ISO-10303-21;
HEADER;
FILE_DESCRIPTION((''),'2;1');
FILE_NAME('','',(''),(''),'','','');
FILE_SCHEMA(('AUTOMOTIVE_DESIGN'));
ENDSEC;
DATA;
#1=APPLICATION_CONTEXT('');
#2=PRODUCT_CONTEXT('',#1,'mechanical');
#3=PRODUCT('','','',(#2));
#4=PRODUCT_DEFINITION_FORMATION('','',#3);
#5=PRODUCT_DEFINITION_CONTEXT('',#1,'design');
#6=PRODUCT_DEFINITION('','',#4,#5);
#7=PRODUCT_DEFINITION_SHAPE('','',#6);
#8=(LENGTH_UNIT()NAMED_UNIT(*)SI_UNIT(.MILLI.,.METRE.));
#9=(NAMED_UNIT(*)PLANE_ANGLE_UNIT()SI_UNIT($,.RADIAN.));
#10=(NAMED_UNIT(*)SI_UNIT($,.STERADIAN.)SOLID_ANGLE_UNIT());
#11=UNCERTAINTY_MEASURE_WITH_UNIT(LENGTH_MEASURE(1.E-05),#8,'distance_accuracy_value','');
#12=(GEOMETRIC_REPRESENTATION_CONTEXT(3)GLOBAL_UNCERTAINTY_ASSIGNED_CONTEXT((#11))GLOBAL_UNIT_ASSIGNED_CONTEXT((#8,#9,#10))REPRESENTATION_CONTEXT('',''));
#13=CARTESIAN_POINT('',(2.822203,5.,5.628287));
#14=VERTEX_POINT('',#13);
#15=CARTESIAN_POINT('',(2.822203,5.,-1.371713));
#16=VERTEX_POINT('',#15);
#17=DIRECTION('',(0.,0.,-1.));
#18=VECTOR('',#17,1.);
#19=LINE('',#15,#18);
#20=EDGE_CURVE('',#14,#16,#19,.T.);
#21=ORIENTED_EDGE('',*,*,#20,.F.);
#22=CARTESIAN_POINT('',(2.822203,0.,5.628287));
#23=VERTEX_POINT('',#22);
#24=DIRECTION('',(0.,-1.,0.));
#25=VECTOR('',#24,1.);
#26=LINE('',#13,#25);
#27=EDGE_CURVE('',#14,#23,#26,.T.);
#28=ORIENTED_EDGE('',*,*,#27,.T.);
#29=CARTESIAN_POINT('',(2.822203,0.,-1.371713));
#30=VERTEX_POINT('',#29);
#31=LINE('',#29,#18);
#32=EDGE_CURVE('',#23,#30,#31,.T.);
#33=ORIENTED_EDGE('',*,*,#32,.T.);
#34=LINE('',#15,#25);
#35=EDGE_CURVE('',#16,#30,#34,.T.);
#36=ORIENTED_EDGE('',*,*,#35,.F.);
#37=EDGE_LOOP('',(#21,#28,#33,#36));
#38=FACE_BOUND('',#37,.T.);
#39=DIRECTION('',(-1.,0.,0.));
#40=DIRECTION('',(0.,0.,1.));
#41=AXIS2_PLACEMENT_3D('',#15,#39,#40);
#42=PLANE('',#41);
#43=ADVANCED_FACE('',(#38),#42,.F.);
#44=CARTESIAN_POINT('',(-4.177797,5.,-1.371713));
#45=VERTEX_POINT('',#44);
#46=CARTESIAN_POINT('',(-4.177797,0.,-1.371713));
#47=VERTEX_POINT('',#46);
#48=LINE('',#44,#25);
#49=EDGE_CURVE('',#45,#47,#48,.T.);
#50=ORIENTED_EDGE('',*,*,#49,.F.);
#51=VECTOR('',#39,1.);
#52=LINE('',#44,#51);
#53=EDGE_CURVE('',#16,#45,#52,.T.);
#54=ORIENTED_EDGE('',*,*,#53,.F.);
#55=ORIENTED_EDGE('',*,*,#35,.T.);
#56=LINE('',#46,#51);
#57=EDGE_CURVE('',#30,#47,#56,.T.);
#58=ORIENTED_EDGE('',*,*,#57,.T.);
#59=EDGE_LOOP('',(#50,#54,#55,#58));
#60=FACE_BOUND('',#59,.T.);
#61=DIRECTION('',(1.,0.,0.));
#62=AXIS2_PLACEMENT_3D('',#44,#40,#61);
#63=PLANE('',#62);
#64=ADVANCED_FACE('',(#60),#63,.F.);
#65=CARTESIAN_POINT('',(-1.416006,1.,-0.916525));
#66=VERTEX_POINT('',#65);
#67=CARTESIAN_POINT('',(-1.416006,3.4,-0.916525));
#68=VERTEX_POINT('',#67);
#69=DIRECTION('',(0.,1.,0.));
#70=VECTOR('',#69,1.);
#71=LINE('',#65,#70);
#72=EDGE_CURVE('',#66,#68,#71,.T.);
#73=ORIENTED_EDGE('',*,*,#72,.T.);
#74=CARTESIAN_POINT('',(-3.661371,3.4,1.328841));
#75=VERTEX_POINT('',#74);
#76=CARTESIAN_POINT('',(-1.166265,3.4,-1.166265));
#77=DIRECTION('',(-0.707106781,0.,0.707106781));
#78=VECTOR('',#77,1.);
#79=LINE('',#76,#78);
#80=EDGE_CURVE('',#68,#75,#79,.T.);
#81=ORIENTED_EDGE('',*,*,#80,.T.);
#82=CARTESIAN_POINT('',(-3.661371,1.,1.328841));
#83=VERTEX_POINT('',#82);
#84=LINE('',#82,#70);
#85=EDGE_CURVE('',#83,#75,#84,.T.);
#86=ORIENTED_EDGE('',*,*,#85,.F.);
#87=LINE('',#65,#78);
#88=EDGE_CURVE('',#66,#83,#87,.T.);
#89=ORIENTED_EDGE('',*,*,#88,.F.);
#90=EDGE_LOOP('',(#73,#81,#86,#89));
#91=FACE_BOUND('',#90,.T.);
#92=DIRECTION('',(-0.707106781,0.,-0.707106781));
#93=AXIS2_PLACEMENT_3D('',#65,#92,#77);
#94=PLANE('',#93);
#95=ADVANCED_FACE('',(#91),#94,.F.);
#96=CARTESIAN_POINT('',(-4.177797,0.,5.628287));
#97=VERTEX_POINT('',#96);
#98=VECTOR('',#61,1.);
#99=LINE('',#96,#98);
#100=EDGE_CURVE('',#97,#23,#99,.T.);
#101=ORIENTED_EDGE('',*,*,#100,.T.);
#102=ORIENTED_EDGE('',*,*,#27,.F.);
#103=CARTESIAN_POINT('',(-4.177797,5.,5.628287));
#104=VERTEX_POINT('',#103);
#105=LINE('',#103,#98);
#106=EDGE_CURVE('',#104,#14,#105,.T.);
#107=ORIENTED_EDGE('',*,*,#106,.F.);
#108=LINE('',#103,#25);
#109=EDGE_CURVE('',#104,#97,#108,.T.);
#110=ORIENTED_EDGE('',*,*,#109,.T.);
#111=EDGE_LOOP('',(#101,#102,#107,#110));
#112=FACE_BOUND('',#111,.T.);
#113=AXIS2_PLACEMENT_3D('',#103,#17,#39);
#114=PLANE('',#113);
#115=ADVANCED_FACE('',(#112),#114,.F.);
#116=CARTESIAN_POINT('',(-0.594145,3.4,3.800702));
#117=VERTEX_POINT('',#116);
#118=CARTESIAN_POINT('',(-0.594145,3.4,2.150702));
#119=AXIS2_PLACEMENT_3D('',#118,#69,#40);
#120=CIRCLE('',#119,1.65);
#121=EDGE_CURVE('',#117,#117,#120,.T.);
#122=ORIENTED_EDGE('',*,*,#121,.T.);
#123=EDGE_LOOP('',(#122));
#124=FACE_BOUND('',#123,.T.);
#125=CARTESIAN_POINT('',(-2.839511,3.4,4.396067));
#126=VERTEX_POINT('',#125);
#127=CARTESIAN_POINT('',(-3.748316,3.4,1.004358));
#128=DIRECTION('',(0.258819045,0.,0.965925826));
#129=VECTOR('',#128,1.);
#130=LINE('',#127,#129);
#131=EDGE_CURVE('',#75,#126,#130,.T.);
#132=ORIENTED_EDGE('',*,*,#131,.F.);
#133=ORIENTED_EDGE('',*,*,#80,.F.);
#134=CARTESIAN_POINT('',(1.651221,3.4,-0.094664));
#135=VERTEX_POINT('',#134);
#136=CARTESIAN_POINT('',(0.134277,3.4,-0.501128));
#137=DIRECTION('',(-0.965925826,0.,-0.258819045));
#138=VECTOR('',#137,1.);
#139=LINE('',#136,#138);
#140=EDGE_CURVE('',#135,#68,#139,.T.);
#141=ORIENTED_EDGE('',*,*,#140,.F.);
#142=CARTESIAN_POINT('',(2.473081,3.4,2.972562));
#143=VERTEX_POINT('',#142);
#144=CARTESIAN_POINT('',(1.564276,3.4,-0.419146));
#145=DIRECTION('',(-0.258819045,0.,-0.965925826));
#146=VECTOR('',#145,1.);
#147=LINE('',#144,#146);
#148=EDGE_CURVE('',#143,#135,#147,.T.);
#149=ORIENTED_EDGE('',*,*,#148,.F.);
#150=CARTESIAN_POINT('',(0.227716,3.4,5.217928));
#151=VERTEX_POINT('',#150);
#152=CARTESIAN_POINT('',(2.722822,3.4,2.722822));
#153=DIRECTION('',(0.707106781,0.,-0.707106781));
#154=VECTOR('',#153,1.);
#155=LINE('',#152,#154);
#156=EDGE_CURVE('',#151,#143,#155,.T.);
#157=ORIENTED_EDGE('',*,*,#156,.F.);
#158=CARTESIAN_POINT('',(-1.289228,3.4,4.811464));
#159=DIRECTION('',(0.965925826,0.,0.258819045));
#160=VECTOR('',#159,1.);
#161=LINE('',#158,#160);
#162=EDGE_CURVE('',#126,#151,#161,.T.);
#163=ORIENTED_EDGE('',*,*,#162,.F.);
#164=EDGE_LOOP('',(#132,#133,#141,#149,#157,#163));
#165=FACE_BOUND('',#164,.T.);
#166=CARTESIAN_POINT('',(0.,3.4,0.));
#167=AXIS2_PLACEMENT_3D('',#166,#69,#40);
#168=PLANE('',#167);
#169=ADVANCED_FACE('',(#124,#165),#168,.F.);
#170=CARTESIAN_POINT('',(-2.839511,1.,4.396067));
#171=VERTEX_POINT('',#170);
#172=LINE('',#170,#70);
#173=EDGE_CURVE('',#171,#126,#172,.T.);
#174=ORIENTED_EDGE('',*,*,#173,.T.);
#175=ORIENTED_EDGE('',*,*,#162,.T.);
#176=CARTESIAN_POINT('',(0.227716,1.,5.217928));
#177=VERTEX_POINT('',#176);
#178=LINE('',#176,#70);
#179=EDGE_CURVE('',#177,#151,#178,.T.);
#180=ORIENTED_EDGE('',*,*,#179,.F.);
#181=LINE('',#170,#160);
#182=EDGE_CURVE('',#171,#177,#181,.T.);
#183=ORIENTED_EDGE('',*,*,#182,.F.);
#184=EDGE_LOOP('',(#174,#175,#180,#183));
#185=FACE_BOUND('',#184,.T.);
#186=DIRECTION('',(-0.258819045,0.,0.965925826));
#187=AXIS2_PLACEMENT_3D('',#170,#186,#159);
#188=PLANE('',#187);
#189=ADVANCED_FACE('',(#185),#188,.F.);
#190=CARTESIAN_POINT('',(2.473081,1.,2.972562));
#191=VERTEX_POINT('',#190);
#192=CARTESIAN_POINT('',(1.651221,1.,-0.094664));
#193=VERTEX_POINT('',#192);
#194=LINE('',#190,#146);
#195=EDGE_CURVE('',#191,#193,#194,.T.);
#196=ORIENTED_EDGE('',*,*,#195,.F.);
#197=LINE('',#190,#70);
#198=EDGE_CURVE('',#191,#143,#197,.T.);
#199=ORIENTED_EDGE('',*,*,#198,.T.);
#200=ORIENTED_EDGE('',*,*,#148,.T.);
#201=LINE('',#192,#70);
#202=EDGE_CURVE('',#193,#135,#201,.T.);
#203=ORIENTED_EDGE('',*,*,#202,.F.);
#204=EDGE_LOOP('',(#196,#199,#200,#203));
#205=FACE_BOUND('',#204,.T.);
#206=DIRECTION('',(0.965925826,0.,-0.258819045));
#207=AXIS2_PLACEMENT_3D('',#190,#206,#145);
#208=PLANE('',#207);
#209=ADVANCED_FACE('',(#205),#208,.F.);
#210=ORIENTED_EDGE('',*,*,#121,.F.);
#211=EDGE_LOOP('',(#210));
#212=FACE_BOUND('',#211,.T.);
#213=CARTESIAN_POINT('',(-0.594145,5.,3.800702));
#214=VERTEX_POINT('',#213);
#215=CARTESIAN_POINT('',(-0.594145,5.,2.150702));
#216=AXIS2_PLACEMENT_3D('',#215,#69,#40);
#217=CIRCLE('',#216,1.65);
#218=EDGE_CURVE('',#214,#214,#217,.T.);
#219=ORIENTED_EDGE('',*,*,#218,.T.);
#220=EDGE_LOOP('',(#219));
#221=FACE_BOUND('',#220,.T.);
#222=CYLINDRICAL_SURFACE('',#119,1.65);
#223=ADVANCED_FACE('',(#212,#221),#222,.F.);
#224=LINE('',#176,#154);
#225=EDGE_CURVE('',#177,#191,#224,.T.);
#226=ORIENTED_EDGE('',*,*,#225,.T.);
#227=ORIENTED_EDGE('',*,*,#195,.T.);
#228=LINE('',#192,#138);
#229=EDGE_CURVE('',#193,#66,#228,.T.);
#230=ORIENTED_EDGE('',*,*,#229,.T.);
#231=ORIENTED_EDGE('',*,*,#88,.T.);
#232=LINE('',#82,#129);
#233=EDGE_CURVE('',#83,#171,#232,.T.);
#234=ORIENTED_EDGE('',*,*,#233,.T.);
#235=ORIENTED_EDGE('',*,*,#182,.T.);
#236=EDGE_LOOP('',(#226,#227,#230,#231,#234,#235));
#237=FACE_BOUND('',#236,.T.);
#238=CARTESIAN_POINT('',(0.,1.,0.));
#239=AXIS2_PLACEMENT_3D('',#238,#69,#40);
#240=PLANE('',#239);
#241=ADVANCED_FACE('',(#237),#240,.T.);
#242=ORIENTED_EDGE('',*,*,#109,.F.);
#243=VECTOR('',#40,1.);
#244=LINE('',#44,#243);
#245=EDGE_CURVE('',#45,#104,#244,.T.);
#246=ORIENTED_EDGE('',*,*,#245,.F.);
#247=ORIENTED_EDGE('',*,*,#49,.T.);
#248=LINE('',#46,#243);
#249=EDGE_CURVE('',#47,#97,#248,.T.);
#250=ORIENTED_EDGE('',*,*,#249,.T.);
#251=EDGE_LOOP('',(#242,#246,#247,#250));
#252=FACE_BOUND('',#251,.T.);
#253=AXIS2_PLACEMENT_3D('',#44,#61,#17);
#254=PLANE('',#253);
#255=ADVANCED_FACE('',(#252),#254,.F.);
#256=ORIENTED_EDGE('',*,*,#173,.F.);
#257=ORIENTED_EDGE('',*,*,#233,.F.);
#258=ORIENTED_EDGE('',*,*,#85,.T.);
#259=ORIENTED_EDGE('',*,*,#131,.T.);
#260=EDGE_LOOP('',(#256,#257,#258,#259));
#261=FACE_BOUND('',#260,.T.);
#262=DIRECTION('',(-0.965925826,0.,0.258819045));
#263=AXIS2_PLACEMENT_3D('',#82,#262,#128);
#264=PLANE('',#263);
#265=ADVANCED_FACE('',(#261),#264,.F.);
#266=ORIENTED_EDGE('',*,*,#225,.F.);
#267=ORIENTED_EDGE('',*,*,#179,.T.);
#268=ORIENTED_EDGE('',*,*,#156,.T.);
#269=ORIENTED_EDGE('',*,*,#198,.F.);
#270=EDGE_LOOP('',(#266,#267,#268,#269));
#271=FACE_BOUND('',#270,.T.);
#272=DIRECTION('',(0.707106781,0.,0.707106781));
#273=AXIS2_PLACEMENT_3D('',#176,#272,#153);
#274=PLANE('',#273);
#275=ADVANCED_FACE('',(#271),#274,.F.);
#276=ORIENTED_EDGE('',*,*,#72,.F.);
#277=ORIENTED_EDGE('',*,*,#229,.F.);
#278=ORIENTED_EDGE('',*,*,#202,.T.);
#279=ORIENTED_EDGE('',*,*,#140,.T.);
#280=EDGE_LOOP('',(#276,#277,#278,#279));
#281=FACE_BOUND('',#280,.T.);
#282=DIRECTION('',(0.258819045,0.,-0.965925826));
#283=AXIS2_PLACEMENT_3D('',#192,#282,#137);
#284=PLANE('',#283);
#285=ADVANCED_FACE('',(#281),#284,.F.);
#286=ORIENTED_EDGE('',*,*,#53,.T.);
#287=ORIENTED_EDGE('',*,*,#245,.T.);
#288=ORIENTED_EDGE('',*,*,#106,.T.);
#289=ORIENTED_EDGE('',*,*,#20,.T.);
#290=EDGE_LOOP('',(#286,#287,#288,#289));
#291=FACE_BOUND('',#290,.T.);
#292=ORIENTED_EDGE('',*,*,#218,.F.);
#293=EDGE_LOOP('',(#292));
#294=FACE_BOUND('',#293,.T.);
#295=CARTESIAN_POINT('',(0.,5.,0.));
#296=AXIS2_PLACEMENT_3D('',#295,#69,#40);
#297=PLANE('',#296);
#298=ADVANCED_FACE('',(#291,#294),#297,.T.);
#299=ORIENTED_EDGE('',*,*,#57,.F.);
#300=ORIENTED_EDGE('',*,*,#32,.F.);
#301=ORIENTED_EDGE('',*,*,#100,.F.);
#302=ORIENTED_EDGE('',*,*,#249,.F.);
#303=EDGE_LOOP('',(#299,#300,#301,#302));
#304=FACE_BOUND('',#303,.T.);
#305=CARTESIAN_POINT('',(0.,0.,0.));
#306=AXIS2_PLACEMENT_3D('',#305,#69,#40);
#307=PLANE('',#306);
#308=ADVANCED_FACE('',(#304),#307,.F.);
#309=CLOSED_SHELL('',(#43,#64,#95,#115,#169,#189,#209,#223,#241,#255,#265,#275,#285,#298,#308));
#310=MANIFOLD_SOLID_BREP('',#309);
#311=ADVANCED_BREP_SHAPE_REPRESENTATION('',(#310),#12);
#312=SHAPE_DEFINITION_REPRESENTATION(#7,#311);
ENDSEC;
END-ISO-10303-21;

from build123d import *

# Parameters (mm, degrees)
SKETCH1_W           = 7
SKETCH1_H           = 7
BOSS_EXTRUDE1_DEPTH = 5
SKETCH4_R           = 1.65
CUT_EXTRUDE4_DEPTH  = 4
SKETCH6_R           = 1.65
CUT_EXTRUDE6_DEPTH  = 4
SKETCH6_4_R         = 1.65
BOSS_EXTRUDE2_DEPTH = 1.6


with BuildPart() as part:
    # Sketch1 → Boss-Extrude1 (new body)
    with BuildSketch(Plane(origin=(0, 0, 0), x_dir=(1, 0, 0), z_dir=(0, 1, 0))):
        with Locations((-0.67779661, -2.128287226)):
            Rectangle(SKETCH1_W, SKETCH1_H)
    extrude(amount=BOSS_EXTRUDE1_DEPTH)

    # Sketch4 → Cut-Extrude4 (cut)
    with BuildSketch(Plane(origin=(0, 5, 0), x_dir=(1, 0, 0), z_dir=(0, 1, 0))):
        Polygon((-1.416005829, 0.916524834), (-3.661371426, -1.328840764), (-2.839510577, -4.396067211), (0.22771587, -5.21792806), (2.473081468, -2.972562463), (1.651220618, 0.094663984), align=None)
        with Locations((-0.594144979, -2.150701613)):
            Circle(SKETCH4_R, mode=Mode.SUBTRACT)
    extrude(amount=-CUT_EXTRUDE4_DEPTH, mode=Mode.SUBTRACT)

    # Sketch6 → Cut-Extrude6 (cut)
    with BuildSketch(Plane(origin=(0, 5, 0), x_dir=(1, 0, 0), z_dir=(0, 1, 0))):
        with Locations((-0.594144979, -2.150701613)):
            Circle(SKETCH6_R)
    extrude(amount=-CUT_EXTRUDE6_DEPTH, mode=Mode.SUBTRACT)

    # Sketch6<4> → Boss-Extrude2 (add)
    with BuildSketch(Plane(origin=(0, 5, 0), x_dir=(1, 0, 0), z_dir=(0, 1, 0))):
        Polygon((-1.416005829, 0.916524834), (-3.661371426, -1.328840764), (-2.839510577, -4.396067211), (0.22771587, -5.21792806), (2.473081468, -2.972562463), (1.651220618, 0.094663984), align=None)
        with Locations((-0.594144979, -2.150701613)):
            Circle(SKETCH6_4_R, mode=Mode.SUBTRACT)
    extrude(amount=-BOSS_EXTRUDE2_DEPTH)


solid = part.part
